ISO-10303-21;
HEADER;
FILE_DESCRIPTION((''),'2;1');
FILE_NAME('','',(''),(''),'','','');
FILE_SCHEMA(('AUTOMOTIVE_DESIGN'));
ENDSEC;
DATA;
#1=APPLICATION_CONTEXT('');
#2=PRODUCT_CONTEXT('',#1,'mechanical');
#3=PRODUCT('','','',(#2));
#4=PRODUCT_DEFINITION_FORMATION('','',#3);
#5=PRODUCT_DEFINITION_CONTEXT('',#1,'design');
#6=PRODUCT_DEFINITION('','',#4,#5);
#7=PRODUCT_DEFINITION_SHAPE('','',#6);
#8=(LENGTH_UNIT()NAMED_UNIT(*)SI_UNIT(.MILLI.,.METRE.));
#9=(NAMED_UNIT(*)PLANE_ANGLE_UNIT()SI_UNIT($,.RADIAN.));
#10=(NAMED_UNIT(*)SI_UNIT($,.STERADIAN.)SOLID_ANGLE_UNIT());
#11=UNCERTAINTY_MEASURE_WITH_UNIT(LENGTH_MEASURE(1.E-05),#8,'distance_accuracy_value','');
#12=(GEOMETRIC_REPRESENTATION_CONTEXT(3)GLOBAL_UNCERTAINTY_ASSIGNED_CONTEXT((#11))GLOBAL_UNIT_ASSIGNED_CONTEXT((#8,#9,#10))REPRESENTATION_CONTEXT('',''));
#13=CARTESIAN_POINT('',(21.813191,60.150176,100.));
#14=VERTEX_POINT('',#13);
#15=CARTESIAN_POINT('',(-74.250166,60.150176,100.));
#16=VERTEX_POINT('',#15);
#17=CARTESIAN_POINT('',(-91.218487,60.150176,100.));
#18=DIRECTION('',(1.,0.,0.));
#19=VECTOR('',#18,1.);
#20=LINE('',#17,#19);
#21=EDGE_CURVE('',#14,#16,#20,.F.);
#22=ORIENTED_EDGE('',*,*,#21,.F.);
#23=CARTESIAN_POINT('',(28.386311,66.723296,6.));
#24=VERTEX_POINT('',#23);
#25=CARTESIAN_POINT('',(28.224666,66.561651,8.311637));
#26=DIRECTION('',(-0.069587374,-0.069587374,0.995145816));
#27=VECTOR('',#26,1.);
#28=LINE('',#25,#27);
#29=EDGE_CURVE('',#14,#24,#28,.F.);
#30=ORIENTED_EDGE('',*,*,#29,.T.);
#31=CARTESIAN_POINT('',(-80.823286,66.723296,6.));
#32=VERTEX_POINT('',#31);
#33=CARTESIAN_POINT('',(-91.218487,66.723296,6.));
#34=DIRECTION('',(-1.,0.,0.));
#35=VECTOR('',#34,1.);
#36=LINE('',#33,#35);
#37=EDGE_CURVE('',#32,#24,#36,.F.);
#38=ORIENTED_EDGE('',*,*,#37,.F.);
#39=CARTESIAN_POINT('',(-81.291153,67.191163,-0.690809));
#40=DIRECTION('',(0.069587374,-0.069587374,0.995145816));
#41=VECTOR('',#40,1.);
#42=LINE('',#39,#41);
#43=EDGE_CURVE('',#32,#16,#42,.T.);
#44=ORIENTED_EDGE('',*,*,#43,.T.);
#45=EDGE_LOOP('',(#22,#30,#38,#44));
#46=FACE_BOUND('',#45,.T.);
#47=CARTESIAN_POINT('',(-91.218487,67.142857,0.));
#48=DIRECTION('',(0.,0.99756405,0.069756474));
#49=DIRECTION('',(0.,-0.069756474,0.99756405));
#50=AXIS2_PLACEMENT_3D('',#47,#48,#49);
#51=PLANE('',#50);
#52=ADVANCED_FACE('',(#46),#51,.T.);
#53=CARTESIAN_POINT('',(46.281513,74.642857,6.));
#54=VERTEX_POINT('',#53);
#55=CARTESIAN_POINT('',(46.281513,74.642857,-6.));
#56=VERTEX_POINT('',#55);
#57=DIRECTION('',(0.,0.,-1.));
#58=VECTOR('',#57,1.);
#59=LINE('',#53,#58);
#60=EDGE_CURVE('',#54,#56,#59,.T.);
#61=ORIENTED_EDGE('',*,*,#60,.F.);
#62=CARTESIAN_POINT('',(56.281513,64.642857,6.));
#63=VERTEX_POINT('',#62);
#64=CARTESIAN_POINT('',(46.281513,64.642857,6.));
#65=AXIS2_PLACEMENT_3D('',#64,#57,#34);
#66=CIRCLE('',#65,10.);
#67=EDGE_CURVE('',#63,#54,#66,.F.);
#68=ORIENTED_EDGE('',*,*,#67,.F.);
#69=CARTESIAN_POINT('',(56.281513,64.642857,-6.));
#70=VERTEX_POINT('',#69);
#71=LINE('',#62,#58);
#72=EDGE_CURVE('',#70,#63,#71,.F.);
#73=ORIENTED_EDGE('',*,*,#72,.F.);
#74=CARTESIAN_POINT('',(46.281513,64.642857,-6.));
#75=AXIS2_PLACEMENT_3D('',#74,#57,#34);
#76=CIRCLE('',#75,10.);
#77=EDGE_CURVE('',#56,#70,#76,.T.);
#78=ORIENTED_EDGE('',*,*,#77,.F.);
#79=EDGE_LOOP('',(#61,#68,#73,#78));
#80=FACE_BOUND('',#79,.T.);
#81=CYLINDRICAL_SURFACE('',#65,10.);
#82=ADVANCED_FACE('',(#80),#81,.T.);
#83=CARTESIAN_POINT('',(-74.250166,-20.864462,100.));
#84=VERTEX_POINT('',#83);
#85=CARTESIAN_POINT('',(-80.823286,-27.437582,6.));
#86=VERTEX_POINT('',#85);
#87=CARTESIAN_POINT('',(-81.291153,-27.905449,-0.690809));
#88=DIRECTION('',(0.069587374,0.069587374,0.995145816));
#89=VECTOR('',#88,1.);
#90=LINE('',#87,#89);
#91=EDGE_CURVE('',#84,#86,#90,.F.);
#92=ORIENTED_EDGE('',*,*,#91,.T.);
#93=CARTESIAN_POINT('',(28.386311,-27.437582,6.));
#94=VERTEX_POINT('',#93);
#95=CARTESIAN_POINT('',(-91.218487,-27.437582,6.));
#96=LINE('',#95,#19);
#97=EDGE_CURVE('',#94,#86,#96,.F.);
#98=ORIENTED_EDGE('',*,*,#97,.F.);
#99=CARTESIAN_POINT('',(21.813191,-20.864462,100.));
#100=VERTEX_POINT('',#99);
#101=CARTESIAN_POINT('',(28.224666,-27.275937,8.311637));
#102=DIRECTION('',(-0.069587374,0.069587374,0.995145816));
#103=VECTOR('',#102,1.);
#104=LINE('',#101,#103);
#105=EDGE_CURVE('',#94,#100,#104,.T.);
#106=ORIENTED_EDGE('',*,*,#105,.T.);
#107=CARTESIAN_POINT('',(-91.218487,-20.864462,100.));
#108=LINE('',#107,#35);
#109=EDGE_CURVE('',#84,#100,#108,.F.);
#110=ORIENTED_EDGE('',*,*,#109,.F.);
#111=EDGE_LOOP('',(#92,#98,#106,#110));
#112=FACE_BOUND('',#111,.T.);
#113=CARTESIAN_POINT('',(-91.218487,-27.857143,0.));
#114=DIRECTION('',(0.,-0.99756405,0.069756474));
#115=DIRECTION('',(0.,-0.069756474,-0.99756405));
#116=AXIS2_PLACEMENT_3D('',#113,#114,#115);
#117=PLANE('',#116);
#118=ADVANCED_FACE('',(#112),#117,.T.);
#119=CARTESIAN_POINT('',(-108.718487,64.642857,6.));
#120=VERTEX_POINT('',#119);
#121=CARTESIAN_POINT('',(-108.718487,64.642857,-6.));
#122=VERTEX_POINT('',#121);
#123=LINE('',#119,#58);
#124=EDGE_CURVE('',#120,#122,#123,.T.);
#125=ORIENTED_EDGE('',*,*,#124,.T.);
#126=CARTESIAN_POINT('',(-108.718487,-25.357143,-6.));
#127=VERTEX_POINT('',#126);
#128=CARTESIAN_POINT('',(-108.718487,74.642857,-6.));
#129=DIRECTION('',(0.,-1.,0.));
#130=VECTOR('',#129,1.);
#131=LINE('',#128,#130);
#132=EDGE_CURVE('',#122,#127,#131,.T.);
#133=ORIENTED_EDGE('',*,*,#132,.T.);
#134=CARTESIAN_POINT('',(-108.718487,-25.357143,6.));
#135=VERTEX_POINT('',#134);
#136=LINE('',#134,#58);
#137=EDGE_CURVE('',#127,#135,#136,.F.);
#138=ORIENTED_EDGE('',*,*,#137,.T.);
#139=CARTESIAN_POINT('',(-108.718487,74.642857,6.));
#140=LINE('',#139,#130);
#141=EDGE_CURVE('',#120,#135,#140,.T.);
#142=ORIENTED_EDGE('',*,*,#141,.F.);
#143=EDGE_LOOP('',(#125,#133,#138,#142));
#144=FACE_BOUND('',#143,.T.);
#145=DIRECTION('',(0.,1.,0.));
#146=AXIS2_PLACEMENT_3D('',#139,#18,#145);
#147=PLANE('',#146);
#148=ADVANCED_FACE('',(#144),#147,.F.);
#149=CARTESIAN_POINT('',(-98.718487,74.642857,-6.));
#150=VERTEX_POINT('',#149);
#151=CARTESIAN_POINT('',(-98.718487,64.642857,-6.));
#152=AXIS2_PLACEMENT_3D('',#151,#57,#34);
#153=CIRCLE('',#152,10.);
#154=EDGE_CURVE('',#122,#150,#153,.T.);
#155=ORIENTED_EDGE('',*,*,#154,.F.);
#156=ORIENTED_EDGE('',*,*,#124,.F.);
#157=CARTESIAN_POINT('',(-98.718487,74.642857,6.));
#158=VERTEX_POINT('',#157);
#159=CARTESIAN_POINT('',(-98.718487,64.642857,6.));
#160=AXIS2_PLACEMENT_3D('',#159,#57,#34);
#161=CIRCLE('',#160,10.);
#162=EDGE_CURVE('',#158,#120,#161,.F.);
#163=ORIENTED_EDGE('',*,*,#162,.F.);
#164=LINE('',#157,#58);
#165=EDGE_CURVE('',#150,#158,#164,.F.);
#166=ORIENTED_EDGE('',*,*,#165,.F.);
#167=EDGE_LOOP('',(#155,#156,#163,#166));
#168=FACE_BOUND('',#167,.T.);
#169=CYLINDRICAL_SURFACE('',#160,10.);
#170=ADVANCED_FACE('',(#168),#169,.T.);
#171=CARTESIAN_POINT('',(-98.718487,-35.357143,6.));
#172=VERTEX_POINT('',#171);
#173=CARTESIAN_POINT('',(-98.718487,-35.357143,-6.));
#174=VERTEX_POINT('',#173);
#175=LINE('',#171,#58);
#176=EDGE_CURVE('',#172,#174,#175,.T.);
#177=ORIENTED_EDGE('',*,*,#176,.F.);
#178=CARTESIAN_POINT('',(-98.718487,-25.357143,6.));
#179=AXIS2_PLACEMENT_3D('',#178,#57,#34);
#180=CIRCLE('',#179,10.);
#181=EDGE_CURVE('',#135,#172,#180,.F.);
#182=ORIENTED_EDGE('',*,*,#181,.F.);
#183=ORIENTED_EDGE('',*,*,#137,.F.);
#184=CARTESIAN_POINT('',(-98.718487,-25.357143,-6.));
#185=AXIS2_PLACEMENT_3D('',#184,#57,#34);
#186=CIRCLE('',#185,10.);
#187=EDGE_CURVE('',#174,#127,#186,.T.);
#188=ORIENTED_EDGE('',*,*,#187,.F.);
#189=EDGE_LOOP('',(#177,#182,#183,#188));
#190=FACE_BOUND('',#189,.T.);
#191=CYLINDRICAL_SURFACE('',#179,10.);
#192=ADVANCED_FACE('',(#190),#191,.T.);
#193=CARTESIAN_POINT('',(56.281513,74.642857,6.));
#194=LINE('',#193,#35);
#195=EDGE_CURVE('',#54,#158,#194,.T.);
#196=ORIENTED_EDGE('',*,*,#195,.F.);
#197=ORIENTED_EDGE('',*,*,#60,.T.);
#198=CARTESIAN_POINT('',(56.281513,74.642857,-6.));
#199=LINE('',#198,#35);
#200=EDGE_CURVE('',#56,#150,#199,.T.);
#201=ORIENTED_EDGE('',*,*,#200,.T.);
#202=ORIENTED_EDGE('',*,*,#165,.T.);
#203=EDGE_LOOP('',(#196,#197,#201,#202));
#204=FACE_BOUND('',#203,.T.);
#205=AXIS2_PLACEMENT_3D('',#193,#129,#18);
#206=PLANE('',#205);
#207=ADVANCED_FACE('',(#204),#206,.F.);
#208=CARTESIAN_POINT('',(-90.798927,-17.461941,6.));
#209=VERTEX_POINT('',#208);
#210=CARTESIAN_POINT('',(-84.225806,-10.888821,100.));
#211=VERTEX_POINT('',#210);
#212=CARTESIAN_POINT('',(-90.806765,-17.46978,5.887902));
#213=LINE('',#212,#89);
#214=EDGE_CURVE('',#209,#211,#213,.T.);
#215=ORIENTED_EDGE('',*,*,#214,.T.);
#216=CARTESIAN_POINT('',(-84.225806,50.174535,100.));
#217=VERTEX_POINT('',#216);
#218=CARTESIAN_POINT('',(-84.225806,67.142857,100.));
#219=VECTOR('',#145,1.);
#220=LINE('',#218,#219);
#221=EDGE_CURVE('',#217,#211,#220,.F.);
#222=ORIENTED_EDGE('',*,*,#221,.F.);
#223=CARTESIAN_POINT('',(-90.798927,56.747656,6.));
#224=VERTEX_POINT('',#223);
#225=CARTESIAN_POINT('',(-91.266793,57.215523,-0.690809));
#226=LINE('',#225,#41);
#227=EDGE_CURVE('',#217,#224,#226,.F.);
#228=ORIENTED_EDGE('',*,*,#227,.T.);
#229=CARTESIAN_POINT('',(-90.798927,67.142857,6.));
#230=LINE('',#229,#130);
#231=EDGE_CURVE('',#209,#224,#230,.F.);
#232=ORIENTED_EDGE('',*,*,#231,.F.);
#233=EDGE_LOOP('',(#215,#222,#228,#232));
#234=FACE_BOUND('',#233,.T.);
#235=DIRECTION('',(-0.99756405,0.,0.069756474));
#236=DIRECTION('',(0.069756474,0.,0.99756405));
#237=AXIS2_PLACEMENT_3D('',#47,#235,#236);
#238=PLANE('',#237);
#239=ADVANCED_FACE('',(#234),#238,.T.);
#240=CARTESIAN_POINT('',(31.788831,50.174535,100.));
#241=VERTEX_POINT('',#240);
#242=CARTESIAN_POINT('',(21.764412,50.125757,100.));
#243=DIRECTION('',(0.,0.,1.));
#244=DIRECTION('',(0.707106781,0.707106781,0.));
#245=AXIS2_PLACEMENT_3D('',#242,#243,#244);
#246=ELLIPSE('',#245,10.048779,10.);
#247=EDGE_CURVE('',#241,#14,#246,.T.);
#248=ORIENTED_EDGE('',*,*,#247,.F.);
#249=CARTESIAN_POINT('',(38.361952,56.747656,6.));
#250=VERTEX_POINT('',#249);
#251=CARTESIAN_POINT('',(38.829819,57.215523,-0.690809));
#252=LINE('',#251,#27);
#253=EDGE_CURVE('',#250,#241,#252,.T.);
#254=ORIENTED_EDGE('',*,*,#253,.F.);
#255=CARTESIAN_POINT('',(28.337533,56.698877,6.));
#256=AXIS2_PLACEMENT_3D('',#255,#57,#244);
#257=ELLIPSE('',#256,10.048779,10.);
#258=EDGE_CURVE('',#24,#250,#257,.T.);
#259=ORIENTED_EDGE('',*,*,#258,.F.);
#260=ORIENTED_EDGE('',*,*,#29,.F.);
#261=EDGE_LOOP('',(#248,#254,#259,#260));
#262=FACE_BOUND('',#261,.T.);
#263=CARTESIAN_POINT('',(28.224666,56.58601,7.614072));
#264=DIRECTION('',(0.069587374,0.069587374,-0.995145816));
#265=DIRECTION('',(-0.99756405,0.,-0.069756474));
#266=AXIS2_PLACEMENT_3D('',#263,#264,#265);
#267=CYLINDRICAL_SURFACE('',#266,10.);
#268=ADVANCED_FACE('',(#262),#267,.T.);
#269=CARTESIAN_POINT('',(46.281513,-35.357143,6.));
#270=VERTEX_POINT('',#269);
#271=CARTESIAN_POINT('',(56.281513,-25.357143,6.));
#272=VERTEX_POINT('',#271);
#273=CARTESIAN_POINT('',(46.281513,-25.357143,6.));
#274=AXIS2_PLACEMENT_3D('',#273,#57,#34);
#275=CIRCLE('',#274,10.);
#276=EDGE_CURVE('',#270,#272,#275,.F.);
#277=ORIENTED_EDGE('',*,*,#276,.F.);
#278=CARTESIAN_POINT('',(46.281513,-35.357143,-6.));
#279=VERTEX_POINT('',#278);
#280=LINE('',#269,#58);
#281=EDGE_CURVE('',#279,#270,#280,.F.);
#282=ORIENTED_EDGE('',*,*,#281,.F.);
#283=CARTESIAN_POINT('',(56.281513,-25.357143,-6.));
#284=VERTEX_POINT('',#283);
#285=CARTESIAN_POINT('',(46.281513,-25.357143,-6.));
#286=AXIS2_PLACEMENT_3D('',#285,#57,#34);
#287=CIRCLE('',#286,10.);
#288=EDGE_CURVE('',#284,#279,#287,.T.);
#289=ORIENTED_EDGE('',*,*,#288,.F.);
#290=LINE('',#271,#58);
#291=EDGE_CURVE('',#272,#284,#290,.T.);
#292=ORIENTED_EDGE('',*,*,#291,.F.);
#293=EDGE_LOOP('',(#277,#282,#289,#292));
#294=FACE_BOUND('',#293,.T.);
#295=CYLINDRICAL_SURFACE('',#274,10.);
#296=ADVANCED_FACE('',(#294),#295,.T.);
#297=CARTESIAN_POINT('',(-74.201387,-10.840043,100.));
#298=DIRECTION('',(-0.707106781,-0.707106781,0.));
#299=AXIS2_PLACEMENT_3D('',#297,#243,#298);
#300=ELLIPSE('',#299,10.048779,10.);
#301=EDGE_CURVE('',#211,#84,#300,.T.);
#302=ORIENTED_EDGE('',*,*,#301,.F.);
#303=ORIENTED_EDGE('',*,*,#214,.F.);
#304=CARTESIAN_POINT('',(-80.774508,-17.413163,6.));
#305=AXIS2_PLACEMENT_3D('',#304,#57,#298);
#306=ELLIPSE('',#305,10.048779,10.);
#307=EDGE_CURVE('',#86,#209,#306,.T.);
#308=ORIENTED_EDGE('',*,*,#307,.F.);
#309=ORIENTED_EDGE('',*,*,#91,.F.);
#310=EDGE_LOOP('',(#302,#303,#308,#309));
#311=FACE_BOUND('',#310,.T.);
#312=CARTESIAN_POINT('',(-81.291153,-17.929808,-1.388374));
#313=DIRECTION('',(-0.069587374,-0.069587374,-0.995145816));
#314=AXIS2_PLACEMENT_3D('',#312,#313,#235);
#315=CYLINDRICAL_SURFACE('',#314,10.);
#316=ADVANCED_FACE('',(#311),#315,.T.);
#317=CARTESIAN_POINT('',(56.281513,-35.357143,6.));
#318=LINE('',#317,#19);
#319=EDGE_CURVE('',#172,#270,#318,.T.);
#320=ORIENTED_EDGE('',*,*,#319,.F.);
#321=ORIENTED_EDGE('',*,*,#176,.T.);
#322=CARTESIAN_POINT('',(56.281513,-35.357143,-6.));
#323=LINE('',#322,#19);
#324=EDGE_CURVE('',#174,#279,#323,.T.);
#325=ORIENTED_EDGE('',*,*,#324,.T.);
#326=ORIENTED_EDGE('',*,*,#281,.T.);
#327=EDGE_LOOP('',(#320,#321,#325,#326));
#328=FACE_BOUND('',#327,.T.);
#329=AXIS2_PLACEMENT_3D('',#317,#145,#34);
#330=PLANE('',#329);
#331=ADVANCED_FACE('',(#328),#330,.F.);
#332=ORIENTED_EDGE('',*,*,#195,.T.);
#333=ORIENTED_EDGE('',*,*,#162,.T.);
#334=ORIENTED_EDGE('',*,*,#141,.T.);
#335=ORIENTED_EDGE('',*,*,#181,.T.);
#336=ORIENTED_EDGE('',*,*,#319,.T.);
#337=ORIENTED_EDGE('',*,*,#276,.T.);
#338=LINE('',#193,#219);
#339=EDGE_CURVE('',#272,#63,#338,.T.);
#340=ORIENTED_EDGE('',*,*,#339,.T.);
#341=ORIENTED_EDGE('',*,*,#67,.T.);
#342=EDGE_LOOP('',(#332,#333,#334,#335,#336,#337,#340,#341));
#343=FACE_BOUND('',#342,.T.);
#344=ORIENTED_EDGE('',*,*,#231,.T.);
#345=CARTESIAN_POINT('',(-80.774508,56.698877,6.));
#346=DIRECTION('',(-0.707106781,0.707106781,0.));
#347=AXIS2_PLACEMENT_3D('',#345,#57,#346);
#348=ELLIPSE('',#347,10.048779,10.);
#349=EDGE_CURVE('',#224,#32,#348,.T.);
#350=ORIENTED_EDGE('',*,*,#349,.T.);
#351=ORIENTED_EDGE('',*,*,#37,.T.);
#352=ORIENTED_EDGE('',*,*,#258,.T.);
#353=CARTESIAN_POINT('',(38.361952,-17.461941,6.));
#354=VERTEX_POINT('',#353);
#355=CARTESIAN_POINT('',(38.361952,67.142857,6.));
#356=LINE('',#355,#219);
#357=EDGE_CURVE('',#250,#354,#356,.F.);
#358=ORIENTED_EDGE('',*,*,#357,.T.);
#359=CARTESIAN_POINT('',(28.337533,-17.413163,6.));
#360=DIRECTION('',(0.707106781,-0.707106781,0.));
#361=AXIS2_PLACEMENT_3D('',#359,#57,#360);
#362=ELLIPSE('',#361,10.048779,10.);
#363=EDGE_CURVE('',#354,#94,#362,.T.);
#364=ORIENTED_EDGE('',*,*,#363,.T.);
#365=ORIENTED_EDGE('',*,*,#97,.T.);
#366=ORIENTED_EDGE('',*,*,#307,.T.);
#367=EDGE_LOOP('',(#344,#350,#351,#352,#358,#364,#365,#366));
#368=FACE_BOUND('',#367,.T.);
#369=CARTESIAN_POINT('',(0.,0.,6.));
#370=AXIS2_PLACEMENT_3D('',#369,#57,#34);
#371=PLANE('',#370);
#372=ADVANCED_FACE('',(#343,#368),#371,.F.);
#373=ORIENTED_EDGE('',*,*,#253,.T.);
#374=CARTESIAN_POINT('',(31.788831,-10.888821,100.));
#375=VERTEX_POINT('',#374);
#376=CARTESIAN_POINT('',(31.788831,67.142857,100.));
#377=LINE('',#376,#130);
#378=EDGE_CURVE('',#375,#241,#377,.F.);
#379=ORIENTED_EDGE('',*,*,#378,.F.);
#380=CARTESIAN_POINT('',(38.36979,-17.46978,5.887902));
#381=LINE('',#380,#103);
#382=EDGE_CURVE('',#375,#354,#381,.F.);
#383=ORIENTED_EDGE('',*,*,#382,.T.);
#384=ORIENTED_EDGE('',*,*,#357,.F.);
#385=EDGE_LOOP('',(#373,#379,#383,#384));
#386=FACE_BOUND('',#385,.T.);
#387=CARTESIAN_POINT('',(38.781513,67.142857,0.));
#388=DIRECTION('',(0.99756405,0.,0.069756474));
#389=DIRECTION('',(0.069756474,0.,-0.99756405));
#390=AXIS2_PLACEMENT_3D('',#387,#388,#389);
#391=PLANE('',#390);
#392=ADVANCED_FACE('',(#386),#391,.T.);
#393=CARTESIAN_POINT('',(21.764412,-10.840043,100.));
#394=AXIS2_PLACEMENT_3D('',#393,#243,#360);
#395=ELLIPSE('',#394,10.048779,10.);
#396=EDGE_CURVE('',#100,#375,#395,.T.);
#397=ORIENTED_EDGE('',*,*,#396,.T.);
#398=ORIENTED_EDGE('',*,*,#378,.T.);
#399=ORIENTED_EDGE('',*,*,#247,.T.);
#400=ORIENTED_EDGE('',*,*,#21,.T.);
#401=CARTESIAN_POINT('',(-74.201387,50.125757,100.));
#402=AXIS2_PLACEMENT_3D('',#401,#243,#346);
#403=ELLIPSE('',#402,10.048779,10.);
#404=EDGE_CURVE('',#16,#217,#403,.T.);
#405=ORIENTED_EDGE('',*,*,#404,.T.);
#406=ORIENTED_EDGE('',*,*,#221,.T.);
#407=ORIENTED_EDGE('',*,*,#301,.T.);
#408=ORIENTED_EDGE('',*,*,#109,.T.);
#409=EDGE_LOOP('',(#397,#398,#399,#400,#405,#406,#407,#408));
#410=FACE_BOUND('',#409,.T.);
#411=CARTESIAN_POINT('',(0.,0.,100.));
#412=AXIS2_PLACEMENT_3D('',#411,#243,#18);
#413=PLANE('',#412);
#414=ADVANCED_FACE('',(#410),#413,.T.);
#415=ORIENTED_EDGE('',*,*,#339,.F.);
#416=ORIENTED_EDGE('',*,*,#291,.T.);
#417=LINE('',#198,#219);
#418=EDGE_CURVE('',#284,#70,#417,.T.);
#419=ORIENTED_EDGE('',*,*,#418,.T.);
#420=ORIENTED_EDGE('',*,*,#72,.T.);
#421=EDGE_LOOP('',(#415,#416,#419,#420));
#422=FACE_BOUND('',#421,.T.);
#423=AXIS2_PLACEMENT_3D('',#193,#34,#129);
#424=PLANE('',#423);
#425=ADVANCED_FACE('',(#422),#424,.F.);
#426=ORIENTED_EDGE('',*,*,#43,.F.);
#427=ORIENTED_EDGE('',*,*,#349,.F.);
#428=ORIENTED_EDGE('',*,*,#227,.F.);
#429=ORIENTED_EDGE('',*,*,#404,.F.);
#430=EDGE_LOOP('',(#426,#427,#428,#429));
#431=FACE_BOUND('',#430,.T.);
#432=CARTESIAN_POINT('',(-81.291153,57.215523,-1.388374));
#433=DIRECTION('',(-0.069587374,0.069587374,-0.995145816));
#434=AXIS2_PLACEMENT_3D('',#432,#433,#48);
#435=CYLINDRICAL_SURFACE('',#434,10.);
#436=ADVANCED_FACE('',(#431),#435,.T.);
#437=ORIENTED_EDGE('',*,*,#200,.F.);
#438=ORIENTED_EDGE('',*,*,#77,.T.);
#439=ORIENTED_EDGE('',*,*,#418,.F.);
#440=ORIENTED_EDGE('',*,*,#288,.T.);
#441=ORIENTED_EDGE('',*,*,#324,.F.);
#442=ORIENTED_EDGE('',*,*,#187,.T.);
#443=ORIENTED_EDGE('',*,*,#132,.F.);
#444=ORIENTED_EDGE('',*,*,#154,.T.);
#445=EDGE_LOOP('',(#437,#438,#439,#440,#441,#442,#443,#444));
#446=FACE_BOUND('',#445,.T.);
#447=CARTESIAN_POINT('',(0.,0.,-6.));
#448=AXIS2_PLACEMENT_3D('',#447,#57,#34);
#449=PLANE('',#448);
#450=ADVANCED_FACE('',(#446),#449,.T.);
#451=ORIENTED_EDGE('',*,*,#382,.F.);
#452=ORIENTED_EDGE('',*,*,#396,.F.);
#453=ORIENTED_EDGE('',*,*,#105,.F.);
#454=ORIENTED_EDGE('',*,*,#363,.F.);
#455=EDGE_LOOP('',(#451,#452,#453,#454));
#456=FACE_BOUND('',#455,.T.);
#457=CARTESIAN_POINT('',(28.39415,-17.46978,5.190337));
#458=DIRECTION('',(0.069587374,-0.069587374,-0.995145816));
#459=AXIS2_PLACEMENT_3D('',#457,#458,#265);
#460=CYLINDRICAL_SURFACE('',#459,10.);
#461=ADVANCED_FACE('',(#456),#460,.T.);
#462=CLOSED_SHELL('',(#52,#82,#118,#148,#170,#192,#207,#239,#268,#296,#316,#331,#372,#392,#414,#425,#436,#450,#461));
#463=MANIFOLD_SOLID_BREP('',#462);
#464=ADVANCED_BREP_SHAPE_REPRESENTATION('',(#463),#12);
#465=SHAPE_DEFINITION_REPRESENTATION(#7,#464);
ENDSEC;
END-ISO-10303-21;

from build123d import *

# Parameters (mm, degrees)
SKETCH1_W           = 130
SKETCH1_H           = 95
BOSS_EXTRUDE1_DEPTH = 100
BOSS_EXTRUDE1_TAPER = 4
SKETCH2_W           = 165
SKETCH2_H           = 110
BOSS_EXTRUDE2_DEPTH = 6
FILLET1_R           = 10
FILLET2_R           = 10


with BuildPart() as part:
    # Sketch1 → Boss-Extrude1 (new body)
    with BuildSketch(Plane.XY):
        with Locations((-26.218487395, 19.642857143)):
            Rectangle(SKETCH1_W, SKETCH1_H)
    extrude(amount=BOSS_EXTRUDE1_DEPTH, taper=BOSS_EXTRUDE1_TAPER)

    # Sketch2 → Boss-Extrude2 (add, symmetric)
    with BuildSketch(Plane.XY):
        with Locations((-26.218487395, 19.642857143)):
            Rectangle(SKETCH2_W, SKETCH2_H)
    extrude(amount=BOSS_EXTRUDE2_DEPTH, both=True)

    # Fillet1
    fillet1_edges = [part.edges().sort_by_distance(p)[0] for p in [
        (-87.512366362, 63.43673611, 53),
        (35.075391572, 63.43673611, 53),
        (35.075391572, -24.151021824, 53),
        (-87.512366362, -24.151021824, 53),
    ]]
    fillet(fillet1_edges, radius=FILLET1_R)

    # Fillet2
    fillet2_edges = [part.edges().sort_by_distance(p)[0] for p in [
        (56.281512605, -35.357142857, 0),
        (56.281512605, 74.642857143, 0),
        (-108.718487395, 74.642857143, 0),
        (-108.718487395, -35.357142857, 0),
    ]]
    fillet(fillet2_edges, radius=FILLET2_R)


solid = part.part
